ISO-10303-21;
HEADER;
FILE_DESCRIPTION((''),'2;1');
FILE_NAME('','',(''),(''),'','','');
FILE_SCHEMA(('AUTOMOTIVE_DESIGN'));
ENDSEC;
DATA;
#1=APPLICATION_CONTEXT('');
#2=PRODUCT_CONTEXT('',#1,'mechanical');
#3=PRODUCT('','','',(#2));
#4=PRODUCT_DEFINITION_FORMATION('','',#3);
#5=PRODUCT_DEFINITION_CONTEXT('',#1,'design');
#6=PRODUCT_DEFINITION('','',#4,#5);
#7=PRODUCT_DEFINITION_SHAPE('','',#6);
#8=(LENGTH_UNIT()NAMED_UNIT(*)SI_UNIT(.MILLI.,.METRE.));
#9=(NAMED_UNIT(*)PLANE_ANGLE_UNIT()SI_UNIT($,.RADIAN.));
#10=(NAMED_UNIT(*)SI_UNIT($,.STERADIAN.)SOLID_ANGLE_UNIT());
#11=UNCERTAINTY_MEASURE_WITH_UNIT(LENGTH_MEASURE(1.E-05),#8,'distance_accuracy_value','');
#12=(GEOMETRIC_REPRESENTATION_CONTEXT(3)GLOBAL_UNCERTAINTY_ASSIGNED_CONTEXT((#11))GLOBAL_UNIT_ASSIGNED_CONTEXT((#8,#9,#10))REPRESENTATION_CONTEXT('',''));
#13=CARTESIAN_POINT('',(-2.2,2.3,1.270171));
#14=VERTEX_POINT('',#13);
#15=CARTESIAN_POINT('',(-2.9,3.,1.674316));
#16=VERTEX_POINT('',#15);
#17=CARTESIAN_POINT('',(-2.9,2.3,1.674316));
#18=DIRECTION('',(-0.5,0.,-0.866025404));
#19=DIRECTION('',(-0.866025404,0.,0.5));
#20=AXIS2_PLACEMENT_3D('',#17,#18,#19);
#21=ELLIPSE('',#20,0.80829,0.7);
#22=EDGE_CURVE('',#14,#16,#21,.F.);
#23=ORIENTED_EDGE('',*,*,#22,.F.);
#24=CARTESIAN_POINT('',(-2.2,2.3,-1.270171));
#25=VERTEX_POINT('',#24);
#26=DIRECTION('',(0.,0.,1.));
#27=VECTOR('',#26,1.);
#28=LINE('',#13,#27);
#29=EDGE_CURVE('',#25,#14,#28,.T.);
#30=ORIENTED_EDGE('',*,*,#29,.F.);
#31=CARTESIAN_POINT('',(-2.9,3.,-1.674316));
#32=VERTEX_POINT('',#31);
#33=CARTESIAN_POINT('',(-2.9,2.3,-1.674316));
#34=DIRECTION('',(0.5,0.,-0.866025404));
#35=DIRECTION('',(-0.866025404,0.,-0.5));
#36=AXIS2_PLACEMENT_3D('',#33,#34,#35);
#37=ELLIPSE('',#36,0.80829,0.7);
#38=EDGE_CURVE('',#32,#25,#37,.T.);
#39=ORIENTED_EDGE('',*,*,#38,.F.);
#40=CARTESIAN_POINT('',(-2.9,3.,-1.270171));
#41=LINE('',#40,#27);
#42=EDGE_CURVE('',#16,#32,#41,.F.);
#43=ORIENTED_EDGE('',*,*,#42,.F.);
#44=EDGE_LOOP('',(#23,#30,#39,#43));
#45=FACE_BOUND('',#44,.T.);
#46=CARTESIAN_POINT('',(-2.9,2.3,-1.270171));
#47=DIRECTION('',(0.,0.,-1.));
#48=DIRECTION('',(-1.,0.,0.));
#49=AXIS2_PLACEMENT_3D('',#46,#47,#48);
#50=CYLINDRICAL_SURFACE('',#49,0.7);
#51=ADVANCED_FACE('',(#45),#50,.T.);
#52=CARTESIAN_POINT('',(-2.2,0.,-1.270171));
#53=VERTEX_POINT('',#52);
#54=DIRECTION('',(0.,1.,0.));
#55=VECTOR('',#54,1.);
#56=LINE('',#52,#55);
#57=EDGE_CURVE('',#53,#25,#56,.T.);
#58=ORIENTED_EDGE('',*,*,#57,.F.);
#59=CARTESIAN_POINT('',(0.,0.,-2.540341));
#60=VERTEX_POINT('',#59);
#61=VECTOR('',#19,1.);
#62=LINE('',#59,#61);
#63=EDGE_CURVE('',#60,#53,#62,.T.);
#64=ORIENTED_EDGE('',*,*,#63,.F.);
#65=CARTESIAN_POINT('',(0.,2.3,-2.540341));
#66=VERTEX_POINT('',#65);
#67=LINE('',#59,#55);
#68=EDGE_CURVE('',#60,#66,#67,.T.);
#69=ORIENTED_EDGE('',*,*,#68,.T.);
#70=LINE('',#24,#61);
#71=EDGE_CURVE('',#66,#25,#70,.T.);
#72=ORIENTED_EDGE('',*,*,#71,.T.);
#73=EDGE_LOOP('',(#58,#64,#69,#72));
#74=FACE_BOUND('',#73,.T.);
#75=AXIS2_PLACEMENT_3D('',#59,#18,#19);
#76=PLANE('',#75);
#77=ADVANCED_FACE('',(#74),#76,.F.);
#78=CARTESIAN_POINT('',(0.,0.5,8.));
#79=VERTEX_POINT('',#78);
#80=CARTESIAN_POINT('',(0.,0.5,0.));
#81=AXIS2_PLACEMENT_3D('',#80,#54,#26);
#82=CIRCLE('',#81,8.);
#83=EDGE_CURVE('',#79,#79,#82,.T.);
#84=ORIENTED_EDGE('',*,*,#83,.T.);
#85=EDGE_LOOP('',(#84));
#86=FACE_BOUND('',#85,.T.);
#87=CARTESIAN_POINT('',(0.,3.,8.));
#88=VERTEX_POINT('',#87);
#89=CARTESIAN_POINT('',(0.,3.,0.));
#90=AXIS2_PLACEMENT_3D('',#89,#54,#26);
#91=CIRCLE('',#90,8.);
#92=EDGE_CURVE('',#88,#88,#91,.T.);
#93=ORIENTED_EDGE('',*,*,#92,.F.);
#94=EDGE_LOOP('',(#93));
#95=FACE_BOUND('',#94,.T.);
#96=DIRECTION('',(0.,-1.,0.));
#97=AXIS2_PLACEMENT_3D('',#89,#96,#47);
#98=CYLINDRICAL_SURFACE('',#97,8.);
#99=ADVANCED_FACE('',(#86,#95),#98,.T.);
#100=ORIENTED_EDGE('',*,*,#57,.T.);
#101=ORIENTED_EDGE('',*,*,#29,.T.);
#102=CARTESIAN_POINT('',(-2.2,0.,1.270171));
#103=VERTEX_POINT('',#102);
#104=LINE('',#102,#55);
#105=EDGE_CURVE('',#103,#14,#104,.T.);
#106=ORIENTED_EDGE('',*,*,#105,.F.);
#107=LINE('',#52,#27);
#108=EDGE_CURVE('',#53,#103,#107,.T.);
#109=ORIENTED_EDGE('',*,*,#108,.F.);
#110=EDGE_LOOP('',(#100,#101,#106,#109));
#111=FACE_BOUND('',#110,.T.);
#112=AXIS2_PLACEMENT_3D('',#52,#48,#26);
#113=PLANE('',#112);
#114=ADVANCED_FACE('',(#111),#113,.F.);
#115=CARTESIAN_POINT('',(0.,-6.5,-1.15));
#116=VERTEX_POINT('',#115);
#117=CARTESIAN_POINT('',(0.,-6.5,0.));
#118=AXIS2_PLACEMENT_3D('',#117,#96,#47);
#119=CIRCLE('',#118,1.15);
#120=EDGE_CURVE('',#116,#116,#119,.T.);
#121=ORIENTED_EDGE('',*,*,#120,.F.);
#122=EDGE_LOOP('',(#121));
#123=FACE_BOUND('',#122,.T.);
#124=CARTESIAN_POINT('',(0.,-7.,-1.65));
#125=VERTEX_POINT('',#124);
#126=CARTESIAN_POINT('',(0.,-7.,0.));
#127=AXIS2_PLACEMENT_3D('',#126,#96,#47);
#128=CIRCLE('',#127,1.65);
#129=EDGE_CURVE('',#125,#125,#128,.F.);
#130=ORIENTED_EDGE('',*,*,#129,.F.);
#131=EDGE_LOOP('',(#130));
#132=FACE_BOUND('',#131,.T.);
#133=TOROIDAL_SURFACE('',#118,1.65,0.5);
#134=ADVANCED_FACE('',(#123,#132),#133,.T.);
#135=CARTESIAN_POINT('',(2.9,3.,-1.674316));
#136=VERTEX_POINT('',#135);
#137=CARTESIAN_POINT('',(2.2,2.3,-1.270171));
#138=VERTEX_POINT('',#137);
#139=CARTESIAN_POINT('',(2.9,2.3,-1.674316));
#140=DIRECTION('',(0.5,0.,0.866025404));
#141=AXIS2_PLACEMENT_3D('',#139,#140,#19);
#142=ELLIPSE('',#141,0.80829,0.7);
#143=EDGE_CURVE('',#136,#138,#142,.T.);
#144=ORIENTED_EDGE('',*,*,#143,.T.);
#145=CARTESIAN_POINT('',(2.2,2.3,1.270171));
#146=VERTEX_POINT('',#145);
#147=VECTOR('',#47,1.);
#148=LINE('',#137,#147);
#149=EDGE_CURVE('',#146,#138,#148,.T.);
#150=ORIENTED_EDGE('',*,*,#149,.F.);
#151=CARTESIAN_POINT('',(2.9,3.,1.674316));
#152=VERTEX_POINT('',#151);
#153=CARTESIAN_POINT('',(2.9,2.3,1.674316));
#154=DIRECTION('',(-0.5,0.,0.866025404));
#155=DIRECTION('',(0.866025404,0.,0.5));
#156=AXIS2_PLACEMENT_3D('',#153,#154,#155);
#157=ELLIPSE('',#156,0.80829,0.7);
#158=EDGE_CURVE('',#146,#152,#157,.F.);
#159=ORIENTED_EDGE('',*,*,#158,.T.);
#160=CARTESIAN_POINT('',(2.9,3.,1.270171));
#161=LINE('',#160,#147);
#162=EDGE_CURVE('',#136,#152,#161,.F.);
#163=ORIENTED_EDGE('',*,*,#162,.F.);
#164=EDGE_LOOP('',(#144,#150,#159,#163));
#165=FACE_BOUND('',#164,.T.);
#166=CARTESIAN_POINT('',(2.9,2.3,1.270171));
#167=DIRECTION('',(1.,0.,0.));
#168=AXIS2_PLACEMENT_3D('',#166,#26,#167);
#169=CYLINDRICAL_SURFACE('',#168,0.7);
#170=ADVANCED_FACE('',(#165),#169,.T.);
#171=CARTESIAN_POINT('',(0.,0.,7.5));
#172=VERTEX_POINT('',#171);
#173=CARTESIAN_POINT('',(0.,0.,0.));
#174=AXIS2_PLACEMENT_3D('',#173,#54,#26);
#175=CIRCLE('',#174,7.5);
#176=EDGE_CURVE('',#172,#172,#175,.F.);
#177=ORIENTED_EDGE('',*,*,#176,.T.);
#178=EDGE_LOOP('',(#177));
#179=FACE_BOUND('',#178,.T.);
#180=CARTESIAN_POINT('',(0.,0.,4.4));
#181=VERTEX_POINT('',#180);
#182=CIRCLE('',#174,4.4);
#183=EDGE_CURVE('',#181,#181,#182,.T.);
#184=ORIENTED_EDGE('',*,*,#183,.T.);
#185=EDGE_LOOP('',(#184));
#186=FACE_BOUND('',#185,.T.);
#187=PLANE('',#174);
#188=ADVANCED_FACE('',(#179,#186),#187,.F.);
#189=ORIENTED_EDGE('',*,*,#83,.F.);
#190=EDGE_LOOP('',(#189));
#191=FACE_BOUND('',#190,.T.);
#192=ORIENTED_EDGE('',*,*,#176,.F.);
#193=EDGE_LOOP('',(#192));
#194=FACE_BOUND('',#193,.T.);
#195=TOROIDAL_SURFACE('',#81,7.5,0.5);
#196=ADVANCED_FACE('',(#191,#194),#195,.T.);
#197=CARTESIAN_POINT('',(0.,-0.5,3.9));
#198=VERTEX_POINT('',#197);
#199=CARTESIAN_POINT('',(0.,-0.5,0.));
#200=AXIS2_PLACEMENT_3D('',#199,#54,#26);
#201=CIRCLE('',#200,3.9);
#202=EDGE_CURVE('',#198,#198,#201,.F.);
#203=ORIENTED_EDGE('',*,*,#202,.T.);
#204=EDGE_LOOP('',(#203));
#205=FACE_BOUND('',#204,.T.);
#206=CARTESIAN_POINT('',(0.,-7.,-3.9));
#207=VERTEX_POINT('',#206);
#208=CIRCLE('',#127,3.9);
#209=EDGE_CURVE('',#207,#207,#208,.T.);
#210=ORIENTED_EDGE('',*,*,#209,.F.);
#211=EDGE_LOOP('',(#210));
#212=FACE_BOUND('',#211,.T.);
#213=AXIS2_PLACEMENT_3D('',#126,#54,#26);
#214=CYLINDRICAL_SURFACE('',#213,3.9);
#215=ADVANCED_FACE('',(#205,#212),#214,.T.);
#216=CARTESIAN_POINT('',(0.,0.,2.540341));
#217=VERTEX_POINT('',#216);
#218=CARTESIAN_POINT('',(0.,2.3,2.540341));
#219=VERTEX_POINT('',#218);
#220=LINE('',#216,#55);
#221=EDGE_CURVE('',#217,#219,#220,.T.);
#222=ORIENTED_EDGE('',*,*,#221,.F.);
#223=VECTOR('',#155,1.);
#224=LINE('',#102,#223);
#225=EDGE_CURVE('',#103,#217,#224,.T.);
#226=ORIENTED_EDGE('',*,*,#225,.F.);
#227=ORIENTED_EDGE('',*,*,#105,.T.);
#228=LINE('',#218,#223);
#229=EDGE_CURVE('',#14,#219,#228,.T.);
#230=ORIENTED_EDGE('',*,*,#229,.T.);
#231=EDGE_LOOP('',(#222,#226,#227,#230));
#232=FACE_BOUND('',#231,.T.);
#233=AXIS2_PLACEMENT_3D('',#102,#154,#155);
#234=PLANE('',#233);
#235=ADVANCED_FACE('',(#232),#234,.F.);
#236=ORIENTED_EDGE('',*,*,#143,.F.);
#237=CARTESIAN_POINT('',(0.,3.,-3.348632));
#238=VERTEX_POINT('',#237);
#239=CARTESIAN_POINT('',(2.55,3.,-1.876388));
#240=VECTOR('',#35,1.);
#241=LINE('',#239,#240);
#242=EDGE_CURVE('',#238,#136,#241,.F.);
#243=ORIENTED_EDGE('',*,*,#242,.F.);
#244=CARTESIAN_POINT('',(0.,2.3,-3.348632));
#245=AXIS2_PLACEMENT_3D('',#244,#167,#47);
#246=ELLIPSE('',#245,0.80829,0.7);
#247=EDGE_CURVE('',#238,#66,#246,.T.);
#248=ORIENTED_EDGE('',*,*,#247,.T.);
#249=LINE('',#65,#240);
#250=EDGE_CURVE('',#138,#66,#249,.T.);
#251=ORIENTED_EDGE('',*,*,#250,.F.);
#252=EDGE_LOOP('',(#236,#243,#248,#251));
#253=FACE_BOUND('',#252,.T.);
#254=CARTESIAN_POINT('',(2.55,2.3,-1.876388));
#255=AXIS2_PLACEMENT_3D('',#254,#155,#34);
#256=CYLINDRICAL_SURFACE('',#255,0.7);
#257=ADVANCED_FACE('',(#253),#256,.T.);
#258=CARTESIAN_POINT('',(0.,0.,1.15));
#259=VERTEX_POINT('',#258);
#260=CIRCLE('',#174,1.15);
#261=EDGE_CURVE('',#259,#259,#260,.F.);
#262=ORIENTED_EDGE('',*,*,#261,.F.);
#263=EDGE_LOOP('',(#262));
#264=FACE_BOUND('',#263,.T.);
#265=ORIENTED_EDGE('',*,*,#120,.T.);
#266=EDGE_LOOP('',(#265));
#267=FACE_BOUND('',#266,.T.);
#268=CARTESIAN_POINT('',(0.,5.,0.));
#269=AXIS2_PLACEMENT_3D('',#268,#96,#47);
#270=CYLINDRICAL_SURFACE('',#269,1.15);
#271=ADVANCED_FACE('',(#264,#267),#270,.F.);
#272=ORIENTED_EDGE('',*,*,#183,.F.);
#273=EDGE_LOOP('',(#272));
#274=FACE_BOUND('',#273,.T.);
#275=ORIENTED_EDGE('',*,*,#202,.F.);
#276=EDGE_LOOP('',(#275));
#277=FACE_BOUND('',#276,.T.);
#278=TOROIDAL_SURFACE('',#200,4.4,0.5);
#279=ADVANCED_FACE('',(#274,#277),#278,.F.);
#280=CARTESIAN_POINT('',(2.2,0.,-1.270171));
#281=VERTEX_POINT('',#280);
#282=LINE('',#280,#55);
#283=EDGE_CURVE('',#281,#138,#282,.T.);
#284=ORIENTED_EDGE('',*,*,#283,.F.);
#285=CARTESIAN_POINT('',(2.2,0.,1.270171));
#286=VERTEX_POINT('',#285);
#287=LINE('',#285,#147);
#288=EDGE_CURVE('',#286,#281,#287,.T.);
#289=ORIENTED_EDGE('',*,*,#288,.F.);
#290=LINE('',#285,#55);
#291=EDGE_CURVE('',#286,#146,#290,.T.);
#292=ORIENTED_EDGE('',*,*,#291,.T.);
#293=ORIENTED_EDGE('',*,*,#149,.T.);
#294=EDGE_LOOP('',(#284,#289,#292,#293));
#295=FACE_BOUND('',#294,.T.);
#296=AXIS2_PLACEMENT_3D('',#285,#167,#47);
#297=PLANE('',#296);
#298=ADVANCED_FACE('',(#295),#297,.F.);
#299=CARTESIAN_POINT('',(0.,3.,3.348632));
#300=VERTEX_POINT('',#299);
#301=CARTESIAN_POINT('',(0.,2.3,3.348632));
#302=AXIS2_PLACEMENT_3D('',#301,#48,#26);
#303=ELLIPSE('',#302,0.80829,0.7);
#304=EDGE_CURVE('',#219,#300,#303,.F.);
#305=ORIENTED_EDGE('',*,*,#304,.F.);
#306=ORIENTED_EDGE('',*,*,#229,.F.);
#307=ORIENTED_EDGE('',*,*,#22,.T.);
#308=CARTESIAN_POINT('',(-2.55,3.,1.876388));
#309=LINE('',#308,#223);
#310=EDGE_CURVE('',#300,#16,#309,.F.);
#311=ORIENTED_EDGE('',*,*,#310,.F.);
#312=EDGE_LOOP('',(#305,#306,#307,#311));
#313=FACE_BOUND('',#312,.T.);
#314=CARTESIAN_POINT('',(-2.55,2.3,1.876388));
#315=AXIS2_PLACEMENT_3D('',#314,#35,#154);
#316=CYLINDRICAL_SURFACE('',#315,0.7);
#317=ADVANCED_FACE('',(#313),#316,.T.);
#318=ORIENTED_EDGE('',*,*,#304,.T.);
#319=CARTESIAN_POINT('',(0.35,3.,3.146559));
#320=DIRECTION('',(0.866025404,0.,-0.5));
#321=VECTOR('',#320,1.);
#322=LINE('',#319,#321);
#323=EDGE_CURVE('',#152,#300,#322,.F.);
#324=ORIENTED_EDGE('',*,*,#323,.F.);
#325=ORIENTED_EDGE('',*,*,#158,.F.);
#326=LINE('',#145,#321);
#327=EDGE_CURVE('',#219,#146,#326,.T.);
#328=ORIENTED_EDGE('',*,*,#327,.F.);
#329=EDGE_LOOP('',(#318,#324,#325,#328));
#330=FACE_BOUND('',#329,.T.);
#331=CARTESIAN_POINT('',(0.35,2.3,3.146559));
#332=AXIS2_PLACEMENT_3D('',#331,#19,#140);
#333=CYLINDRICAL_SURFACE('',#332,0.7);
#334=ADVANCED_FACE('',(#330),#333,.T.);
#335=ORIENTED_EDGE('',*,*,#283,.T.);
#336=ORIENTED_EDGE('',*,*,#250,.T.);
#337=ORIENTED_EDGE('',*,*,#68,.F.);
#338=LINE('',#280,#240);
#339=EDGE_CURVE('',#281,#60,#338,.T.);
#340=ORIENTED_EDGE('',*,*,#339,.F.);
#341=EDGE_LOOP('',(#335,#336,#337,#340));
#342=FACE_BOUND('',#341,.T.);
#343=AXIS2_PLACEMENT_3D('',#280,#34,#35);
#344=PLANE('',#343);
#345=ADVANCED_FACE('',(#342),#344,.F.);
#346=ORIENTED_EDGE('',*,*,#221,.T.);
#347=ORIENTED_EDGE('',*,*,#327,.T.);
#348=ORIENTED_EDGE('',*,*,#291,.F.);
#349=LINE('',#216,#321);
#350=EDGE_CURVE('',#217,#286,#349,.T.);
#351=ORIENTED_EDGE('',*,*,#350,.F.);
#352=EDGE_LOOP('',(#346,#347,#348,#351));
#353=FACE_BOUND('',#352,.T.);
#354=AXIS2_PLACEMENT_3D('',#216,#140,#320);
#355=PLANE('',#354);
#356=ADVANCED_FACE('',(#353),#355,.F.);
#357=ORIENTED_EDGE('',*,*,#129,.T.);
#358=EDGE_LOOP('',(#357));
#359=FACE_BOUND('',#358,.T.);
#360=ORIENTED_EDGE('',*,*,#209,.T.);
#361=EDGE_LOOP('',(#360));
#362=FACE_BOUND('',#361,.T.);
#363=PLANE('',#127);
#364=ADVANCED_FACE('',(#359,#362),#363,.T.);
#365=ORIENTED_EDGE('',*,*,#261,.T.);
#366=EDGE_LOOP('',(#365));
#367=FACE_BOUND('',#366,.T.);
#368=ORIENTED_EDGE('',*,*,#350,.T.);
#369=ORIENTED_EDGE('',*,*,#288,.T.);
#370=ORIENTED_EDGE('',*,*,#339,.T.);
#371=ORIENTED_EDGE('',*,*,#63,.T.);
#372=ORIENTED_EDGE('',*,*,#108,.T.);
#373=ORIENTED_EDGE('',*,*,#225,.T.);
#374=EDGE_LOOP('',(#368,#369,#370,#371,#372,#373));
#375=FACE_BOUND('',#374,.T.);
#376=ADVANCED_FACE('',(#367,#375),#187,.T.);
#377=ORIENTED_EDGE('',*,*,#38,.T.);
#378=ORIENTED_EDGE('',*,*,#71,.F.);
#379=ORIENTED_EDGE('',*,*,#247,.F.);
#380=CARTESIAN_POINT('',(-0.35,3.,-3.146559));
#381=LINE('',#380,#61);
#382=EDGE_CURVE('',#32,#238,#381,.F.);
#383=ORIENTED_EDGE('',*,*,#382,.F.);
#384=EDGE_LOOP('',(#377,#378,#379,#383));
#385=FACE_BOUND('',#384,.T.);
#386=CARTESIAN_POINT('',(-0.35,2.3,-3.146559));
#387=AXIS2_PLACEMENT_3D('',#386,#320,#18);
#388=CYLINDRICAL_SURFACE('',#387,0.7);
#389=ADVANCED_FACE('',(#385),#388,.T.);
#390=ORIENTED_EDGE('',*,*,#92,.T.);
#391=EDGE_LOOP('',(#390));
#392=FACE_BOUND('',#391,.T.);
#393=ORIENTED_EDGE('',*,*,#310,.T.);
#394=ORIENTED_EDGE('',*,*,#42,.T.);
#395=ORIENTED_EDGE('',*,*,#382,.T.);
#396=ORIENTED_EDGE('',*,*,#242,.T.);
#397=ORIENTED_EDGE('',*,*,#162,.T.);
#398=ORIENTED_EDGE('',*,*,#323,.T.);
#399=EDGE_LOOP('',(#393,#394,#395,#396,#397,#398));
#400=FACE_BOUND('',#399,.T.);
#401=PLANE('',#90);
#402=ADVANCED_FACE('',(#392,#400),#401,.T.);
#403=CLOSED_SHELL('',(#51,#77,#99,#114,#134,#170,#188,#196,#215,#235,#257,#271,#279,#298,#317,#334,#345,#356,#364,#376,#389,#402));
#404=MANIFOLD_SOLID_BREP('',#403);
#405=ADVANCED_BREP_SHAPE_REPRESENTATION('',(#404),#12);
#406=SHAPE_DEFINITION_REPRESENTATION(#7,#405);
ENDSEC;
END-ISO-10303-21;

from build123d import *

# Parameters (mm, degrees)
SKETCH1_R           = 8
BOSS_EXTRUDE1_DEPTH = 3
SKETCH2_R           = 3.9
BOSS_EXTRUDE2_DEPTH = 7
SKETCH3_R           = 1.15
CUT_EXTRUDE3_DEPTH  = 12
CUT_EXTRUDE4_DEPTH  = 3
FILLET1_R           = 0.7
FILLET2_R           = 0.5
FILLET3_R           = 0.5


with BuildPart() as part:
    # Sketch1 → Boss-Extrude1 (new body)
    with BuildSketch(Plane(origin=(0, 0, 0), x_dir=(1, 0, 0), z_dir=(0, 1, 0))):
        Circle(SKETCH1_R)
    extrude(amount=BOSS_EXTRUDE1_DEPTH)

    # Sketch2 → Boss-Extrude2 (add)
    with BuildSketch(Plane.XZ):
        Circle(SKETCH2_R)
    extrude(amount=BOSS_EXTRUDE2_DEPTH)

    # Sketch3 → Cut-Extrude3 (cut)
    with BuildSketch(Plane.XZ.offset(7)):
        Circle(SKETCH3_R)
    extrude(amount=-CUT_EXTRUDE3_DEPTH, mode=Mode.SUBTRACT)

    # Sketch6 → Cut-Extrude4 (cut)
    with BuildSketch(Plane(origin=(0, 3, 0), x_dir=(1, 0, 0), z_dir=(0, 1, 0))):
        Polygon((0, 2.540341184), (-2.2, 1.270170592), (-2.2, -1.270170592), (0, -2.540341184), (2.2, -1.270170592), (2.2, 1.270170592), align=None)
    extrude(amount=-CUT_EXTRUDE4_DEPTH, mode=Mode.SUBTRACT)

    # Fillet1
    fillet1_edges = [part.edges().sort_by_distance(p)[0] for p in [
        (1.1, 3, -1.905255888),
        (-1.1, 3, -1.905255888),
        (-2.2, 3, 0),
        (-1.1, 3, 1.905255888),
        (1.1, 3, 1.905255888),
        (2.2, 3, 0),
    ]]
    fillet(fillet1_edges, radius=FILLET1_R)

    # Fillet2
    fillet2_edges = [part.edges().sort_by_distance(p)[0] for p in [
        (-1.15, -7, 0),
    ]]
    fillet(fillet2_edges, radius=FILLET2_R)

    # Fillet3
    fillet3_edges = [part.edges().sort_by_distance(p)[0] for p in [
        (-8, 0, 0),
        (-3.9, 0, 0),
    ]]
    fillet(fillet3_edges, radius=FILLET3_R)


solid = part.part
